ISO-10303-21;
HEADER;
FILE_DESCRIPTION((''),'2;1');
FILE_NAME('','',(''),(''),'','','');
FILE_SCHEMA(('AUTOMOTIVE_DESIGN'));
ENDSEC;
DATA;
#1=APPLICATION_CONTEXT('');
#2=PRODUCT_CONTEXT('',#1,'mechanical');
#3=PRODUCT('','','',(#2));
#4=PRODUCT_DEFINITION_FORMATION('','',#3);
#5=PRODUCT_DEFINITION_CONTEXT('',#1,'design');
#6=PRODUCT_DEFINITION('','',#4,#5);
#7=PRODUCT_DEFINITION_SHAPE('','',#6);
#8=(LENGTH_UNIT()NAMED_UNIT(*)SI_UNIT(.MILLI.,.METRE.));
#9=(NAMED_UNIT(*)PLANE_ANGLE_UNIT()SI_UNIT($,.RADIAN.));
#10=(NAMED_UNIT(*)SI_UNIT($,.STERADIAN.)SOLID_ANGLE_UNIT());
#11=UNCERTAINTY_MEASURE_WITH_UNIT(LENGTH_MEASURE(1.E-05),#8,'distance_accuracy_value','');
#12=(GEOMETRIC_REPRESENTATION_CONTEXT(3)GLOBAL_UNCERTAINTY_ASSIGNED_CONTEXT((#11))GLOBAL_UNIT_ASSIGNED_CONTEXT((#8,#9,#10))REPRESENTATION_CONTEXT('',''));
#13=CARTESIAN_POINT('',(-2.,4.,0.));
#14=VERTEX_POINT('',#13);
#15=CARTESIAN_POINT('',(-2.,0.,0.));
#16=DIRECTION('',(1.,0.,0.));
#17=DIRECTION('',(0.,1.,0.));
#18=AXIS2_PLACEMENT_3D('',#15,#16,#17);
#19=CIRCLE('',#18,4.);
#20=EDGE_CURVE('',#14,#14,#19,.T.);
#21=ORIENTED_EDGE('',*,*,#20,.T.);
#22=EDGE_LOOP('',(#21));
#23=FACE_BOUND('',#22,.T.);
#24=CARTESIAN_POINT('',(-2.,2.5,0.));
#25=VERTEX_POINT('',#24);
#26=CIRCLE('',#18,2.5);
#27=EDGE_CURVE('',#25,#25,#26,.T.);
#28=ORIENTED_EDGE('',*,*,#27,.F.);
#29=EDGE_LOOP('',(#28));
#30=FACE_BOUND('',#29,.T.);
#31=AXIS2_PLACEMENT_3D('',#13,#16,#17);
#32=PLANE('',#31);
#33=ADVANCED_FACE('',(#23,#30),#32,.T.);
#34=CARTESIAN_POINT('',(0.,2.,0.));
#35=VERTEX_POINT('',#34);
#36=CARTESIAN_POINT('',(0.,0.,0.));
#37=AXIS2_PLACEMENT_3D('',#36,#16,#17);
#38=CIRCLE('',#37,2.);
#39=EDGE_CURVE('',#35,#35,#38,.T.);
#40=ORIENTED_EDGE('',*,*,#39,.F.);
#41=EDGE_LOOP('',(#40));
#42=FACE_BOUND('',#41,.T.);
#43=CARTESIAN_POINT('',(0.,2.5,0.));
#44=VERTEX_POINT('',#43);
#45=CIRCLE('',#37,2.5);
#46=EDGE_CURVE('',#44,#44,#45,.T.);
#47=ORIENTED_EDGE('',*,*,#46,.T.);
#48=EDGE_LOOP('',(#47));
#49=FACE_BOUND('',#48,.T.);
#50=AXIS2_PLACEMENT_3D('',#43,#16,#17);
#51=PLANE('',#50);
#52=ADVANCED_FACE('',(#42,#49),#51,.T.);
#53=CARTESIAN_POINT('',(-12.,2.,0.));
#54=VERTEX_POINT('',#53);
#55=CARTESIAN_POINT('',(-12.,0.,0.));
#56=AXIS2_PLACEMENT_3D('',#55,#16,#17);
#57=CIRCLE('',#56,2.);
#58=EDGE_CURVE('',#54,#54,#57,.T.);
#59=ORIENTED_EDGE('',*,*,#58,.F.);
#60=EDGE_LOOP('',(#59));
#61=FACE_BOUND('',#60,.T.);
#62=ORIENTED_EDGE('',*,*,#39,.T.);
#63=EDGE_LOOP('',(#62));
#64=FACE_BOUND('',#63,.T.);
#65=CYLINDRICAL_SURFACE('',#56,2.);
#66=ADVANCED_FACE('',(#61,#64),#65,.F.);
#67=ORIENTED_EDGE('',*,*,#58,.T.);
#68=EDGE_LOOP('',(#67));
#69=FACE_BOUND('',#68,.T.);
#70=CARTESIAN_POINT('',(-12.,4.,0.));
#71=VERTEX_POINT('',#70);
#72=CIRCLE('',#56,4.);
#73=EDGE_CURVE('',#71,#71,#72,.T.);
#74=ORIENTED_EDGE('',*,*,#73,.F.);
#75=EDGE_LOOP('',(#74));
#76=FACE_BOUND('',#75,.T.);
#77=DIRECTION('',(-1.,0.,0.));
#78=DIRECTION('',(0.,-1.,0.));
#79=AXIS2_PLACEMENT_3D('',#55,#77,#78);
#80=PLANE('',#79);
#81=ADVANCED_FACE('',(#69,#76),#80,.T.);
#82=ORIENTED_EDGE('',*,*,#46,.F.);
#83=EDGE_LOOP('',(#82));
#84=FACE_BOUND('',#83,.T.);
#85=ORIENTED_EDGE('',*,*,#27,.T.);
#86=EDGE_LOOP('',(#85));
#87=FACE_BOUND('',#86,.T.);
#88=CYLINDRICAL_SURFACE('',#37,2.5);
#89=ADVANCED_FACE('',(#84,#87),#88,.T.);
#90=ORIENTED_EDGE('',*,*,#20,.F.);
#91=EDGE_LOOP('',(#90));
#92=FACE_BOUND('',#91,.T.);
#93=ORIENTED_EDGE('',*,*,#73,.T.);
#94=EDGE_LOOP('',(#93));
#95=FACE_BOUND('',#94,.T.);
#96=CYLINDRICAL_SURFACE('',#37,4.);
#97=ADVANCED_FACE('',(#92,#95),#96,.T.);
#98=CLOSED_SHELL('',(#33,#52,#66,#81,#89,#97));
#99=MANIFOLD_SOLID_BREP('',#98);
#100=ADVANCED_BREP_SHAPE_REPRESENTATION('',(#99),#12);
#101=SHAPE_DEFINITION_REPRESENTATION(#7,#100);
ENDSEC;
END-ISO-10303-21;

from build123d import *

# Parameters (mm, degrees)
SKETCH3_R          = 2
CUT_EXTRUDE1_DEPTH = 13


with BuildPart() as part:
    # Sketch2 → Revolve1 (revolve)
    with BuildSketch(Plane.XY):
        Polygon((0, 0), (-12, 0), (-12, 4), (-2, 4), (-2, 2.5), (0, 2.5), align=None)
    revolve(axis=Axis((0, 0, 0), (-1, 0, 0)))

    # Sketch3 → Cut-Extrude1 (cut, through all)
    with BuildSketch(Plane(origin=(0, 0, 0), x_dir=(0, 0, -1), z_dir=(1, 0, 0))):
        Circle(SKETCH3_R)
    extrude(amount=-CUT_EXTRUDE1_DEPTH, mode=Mode.SUBTRACT)


solid = part.part
